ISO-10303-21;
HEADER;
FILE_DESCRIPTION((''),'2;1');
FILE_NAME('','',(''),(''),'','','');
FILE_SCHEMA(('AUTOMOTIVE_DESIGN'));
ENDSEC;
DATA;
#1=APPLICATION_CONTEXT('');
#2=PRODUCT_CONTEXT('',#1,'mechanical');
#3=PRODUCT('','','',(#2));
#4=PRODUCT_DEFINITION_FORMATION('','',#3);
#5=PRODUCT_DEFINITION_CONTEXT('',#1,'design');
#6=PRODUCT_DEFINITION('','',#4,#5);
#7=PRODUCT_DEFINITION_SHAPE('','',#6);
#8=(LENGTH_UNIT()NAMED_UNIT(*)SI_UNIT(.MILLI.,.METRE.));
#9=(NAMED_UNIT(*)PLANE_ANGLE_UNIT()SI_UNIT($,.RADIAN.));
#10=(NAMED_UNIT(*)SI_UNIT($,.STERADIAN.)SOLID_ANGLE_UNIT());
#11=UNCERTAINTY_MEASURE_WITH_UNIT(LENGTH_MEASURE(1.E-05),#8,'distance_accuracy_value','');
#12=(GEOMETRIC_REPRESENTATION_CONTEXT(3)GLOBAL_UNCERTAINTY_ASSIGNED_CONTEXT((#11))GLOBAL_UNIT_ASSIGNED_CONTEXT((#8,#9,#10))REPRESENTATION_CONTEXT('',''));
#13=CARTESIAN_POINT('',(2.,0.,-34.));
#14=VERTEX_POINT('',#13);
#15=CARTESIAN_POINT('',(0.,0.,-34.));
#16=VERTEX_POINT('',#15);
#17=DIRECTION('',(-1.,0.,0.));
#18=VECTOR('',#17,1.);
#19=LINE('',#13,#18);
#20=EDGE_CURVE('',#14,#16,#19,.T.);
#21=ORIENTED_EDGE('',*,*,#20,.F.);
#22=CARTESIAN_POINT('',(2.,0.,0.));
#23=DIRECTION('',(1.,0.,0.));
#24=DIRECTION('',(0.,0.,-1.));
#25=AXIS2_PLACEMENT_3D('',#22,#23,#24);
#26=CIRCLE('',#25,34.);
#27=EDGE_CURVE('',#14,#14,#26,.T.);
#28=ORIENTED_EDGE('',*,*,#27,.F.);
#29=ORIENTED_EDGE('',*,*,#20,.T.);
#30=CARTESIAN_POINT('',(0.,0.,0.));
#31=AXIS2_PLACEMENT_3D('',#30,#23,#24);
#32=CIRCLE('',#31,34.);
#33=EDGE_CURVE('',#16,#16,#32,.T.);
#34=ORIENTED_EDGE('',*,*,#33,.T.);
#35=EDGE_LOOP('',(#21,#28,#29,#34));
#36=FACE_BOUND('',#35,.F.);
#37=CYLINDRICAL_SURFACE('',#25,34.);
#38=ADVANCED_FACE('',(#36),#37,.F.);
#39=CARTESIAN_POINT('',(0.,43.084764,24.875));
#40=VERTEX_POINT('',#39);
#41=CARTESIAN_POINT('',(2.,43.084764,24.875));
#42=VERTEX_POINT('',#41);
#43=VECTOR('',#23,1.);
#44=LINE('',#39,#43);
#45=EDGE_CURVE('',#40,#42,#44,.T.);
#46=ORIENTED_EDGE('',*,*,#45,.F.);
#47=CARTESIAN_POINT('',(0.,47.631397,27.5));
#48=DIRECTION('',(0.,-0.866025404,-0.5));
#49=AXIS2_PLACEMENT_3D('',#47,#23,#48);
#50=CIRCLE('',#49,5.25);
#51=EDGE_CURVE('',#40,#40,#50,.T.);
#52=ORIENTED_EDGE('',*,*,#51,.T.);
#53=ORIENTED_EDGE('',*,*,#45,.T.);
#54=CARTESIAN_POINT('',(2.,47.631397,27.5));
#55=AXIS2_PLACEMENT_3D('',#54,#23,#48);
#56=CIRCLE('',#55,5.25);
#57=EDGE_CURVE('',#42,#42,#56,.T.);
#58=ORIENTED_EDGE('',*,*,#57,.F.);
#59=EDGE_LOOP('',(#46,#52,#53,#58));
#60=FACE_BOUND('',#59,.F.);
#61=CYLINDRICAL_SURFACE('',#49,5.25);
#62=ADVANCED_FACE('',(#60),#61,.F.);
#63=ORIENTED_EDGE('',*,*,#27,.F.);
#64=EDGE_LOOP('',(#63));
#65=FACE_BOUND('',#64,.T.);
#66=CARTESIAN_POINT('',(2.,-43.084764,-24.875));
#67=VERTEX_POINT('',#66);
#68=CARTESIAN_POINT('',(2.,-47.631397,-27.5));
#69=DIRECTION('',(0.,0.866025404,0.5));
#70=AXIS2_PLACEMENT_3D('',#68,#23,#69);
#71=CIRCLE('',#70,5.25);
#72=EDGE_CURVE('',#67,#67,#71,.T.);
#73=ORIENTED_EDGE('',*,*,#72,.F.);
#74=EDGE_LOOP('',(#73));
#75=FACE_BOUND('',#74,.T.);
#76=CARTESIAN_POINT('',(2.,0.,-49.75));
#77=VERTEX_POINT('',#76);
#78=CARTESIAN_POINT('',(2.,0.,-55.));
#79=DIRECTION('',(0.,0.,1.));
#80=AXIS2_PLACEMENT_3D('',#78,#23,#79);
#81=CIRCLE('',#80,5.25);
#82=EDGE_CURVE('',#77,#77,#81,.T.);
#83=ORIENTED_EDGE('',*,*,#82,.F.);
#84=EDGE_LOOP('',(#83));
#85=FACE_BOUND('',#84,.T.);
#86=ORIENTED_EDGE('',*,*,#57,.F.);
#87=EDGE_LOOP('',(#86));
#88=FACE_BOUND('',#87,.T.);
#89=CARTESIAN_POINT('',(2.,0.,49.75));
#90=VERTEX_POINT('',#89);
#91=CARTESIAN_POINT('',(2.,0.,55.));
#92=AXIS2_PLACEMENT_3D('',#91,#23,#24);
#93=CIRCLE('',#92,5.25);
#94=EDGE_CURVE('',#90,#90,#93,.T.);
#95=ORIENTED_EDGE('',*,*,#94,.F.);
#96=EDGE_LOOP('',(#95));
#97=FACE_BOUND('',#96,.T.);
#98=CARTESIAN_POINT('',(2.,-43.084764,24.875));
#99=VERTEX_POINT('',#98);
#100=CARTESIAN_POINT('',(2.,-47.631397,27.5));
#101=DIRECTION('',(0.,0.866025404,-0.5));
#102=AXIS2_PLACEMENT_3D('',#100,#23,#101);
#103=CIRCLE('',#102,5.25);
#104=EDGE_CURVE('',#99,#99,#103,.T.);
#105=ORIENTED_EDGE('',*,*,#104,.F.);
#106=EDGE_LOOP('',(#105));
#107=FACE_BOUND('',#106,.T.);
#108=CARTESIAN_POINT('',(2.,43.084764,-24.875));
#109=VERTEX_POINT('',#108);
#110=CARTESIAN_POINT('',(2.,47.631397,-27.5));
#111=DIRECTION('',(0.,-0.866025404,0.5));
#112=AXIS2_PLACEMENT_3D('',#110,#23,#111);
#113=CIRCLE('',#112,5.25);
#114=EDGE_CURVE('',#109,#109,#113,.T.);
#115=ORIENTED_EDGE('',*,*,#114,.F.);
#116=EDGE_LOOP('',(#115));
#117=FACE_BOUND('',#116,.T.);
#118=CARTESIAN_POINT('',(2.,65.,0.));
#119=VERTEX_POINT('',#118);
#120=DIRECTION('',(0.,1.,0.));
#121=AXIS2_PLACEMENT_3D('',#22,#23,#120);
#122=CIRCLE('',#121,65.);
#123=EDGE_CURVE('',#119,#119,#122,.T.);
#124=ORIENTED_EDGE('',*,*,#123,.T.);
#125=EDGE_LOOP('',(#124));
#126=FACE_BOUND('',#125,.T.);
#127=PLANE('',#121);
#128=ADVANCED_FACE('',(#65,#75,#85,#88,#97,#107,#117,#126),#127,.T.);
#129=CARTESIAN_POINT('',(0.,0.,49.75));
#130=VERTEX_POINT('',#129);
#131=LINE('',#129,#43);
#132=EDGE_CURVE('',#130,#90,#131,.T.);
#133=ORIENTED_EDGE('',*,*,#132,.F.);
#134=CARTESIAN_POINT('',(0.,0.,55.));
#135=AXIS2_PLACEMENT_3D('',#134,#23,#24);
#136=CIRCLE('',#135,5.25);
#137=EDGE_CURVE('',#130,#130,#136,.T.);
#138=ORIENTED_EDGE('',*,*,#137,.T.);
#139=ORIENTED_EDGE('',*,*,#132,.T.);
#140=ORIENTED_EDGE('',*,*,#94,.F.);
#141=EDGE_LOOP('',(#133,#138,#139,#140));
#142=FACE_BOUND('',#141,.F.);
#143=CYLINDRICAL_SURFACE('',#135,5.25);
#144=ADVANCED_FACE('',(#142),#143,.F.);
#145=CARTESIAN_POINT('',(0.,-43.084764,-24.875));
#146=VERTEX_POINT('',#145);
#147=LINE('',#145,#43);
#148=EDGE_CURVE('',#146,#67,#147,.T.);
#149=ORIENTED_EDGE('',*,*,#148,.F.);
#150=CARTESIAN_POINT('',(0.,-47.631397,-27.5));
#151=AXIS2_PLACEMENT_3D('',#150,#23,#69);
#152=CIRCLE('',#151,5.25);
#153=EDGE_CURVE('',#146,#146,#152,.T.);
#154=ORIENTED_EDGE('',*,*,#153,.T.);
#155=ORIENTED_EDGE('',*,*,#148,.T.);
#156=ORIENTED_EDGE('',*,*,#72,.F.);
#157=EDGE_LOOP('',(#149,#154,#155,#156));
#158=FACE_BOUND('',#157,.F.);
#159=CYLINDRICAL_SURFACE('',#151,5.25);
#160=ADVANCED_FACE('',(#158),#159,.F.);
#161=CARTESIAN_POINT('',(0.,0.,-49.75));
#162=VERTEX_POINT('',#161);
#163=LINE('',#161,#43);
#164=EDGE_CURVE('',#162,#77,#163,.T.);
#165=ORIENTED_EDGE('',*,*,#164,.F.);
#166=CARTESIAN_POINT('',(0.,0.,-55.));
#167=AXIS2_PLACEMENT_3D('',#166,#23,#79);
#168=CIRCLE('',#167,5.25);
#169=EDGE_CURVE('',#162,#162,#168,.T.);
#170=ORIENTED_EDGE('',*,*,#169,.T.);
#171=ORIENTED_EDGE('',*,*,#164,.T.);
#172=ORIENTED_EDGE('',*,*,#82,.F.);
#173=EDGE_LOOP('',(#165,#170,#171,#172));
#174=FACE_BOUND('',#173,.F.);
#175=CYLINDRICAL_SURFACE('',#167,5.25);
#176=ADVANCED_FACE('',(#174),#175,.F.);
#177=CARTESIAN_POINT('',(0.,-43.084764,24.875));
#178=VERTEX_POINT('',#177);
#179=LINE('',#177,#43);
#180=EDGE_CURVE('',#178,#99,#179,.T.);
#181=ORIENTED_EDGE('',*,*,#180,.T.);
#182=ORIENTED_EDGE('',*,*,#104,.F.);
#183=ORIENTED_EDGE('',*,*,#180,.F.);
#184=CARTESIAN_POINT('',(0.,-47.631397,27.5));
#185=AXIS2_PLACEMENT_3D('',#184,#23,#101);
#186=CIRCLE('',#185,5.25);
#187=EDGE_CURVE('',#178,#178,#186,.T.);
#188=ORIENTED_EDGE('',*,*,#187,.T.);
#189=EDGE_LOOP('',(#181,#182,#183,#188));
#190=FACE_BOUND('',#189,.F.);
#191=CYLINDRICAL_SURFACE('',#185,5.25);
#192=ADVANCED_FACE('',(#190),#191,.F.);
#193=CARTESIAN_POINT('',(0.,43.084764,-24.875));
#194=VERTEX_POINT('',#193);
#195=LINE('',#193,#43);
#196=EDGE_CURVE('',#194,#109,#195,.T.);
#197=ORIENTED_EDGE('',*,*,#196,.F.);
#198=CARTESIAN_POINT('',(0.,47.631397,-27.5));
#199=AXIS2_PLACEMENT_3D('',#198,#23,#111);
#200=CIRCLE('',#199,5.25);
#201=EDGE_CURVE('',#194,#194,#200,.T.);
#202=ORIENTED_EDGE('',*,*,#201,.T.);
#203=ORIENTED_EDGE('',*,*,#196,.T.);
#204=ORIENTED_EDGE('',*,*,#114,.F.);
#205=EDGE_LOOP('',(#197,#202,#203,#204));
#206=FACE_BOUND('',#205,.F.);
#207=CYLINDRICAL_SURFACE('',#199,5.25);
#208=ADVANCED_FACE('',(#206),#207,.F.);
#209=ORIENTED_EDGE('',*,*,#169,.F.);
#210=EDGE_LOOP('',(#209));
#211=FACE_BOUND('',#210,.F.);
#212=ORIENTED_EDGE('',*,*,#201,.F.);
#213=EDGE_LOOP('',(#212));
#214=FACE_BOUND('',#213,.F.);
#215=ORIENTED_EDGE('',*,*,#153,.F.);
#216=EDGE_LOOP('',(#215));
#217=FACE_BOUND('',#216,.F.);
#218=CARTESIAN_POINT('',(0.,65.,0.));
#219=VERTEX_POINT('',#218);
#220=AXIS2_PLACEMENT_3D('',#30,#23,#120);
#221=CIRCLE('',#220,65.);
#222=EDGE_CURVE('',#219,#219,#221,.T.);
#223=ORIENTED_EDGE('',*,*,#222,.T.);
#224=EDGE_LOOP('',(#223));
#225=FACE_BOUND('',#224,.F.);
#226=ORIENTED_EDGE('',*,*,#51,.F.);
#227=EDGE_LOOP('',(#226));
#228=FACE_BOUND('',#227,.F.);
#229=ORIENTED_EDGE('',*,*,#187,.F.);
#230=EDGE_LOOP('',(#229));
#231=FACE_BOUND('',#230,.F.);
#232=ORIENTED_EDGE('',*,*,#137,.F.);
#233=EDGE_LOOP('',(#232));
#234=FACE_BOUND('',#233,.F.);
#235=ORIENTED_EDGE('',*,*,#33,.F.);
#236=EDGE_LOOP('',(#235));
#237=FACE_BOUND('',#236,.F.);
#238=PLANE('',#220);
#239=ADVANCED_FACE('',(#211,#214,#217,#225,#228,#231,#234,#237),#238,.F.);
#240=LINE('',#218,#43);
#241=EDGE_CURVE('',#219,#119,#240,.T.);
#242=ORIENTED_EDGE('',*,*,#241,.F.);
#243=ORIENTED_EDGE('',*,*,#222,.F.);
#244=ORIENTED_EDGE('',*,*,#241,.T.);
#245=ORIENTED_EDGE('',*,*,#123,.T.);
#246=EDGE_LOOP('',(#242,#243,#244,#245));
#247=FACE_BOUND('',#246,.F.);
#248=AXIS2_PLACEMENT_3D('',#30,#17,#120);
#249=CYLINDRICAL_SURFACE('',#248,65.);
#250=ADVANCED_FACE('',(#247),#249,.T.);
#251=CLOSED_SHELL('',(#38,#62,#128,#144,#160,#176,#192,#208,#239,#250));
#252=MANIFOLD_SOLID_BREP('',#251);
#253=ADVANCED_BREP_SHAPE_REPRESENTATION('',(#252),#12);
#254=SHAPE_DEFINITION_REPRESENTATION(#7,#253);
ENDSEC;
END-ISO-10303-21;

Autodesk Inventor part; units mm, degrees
ref_plane "YZ Plane" through (0, 0, 0) normal (1, 0, 0) x (0, 1, 0)
ref_plane "XZ Plane" through (0, 0, 0) normal (0, 1, 0) x (-1, 0, 0)
ref_plane "XY Plane" through (0, 0, 0) normal (0, 0, 1) x (1, 0, 0)
sketch "Sketch1" plane through (0, 0, 0) normal (1, 0, 0) x (0, 1, 0)
  circle A0 centre (0, 0) radius 65
  dimension "d0" = 130
extrude "Extrusion1" add sketch "Sketch1" along normal blind 2
sketch "Sketch2" plane through (0, 0, 0) normal (-1, 0, 0) x (0, 0, 1)
  circle A0 centre (0, 0) radius 55
  circle A1 centre (-55, 0) radius 5.25
  dimension "d3" = 110
  dimension "d4" = 10.5
hole "Hole1" at (0, 0, -55) direction (1, 0, 0) diameter 10.5 end through all
pattern_circular "Circular Pattern1" count 6 over 360 about axis through (0, 0, 0) along (1, 0, 0) of "Hole1"
sketch "Sketch3" plane through (2, 0, 0) normal (1, 0, 0) x (0, 0, -1)
  circle A0 centre (0, 0) radius 34
  dimension "d15" = 68
extrude "Extrusion2" cut sketch "Sketch3" against normal blind 10
properties part number "04_Dem_dieu_chinh"
